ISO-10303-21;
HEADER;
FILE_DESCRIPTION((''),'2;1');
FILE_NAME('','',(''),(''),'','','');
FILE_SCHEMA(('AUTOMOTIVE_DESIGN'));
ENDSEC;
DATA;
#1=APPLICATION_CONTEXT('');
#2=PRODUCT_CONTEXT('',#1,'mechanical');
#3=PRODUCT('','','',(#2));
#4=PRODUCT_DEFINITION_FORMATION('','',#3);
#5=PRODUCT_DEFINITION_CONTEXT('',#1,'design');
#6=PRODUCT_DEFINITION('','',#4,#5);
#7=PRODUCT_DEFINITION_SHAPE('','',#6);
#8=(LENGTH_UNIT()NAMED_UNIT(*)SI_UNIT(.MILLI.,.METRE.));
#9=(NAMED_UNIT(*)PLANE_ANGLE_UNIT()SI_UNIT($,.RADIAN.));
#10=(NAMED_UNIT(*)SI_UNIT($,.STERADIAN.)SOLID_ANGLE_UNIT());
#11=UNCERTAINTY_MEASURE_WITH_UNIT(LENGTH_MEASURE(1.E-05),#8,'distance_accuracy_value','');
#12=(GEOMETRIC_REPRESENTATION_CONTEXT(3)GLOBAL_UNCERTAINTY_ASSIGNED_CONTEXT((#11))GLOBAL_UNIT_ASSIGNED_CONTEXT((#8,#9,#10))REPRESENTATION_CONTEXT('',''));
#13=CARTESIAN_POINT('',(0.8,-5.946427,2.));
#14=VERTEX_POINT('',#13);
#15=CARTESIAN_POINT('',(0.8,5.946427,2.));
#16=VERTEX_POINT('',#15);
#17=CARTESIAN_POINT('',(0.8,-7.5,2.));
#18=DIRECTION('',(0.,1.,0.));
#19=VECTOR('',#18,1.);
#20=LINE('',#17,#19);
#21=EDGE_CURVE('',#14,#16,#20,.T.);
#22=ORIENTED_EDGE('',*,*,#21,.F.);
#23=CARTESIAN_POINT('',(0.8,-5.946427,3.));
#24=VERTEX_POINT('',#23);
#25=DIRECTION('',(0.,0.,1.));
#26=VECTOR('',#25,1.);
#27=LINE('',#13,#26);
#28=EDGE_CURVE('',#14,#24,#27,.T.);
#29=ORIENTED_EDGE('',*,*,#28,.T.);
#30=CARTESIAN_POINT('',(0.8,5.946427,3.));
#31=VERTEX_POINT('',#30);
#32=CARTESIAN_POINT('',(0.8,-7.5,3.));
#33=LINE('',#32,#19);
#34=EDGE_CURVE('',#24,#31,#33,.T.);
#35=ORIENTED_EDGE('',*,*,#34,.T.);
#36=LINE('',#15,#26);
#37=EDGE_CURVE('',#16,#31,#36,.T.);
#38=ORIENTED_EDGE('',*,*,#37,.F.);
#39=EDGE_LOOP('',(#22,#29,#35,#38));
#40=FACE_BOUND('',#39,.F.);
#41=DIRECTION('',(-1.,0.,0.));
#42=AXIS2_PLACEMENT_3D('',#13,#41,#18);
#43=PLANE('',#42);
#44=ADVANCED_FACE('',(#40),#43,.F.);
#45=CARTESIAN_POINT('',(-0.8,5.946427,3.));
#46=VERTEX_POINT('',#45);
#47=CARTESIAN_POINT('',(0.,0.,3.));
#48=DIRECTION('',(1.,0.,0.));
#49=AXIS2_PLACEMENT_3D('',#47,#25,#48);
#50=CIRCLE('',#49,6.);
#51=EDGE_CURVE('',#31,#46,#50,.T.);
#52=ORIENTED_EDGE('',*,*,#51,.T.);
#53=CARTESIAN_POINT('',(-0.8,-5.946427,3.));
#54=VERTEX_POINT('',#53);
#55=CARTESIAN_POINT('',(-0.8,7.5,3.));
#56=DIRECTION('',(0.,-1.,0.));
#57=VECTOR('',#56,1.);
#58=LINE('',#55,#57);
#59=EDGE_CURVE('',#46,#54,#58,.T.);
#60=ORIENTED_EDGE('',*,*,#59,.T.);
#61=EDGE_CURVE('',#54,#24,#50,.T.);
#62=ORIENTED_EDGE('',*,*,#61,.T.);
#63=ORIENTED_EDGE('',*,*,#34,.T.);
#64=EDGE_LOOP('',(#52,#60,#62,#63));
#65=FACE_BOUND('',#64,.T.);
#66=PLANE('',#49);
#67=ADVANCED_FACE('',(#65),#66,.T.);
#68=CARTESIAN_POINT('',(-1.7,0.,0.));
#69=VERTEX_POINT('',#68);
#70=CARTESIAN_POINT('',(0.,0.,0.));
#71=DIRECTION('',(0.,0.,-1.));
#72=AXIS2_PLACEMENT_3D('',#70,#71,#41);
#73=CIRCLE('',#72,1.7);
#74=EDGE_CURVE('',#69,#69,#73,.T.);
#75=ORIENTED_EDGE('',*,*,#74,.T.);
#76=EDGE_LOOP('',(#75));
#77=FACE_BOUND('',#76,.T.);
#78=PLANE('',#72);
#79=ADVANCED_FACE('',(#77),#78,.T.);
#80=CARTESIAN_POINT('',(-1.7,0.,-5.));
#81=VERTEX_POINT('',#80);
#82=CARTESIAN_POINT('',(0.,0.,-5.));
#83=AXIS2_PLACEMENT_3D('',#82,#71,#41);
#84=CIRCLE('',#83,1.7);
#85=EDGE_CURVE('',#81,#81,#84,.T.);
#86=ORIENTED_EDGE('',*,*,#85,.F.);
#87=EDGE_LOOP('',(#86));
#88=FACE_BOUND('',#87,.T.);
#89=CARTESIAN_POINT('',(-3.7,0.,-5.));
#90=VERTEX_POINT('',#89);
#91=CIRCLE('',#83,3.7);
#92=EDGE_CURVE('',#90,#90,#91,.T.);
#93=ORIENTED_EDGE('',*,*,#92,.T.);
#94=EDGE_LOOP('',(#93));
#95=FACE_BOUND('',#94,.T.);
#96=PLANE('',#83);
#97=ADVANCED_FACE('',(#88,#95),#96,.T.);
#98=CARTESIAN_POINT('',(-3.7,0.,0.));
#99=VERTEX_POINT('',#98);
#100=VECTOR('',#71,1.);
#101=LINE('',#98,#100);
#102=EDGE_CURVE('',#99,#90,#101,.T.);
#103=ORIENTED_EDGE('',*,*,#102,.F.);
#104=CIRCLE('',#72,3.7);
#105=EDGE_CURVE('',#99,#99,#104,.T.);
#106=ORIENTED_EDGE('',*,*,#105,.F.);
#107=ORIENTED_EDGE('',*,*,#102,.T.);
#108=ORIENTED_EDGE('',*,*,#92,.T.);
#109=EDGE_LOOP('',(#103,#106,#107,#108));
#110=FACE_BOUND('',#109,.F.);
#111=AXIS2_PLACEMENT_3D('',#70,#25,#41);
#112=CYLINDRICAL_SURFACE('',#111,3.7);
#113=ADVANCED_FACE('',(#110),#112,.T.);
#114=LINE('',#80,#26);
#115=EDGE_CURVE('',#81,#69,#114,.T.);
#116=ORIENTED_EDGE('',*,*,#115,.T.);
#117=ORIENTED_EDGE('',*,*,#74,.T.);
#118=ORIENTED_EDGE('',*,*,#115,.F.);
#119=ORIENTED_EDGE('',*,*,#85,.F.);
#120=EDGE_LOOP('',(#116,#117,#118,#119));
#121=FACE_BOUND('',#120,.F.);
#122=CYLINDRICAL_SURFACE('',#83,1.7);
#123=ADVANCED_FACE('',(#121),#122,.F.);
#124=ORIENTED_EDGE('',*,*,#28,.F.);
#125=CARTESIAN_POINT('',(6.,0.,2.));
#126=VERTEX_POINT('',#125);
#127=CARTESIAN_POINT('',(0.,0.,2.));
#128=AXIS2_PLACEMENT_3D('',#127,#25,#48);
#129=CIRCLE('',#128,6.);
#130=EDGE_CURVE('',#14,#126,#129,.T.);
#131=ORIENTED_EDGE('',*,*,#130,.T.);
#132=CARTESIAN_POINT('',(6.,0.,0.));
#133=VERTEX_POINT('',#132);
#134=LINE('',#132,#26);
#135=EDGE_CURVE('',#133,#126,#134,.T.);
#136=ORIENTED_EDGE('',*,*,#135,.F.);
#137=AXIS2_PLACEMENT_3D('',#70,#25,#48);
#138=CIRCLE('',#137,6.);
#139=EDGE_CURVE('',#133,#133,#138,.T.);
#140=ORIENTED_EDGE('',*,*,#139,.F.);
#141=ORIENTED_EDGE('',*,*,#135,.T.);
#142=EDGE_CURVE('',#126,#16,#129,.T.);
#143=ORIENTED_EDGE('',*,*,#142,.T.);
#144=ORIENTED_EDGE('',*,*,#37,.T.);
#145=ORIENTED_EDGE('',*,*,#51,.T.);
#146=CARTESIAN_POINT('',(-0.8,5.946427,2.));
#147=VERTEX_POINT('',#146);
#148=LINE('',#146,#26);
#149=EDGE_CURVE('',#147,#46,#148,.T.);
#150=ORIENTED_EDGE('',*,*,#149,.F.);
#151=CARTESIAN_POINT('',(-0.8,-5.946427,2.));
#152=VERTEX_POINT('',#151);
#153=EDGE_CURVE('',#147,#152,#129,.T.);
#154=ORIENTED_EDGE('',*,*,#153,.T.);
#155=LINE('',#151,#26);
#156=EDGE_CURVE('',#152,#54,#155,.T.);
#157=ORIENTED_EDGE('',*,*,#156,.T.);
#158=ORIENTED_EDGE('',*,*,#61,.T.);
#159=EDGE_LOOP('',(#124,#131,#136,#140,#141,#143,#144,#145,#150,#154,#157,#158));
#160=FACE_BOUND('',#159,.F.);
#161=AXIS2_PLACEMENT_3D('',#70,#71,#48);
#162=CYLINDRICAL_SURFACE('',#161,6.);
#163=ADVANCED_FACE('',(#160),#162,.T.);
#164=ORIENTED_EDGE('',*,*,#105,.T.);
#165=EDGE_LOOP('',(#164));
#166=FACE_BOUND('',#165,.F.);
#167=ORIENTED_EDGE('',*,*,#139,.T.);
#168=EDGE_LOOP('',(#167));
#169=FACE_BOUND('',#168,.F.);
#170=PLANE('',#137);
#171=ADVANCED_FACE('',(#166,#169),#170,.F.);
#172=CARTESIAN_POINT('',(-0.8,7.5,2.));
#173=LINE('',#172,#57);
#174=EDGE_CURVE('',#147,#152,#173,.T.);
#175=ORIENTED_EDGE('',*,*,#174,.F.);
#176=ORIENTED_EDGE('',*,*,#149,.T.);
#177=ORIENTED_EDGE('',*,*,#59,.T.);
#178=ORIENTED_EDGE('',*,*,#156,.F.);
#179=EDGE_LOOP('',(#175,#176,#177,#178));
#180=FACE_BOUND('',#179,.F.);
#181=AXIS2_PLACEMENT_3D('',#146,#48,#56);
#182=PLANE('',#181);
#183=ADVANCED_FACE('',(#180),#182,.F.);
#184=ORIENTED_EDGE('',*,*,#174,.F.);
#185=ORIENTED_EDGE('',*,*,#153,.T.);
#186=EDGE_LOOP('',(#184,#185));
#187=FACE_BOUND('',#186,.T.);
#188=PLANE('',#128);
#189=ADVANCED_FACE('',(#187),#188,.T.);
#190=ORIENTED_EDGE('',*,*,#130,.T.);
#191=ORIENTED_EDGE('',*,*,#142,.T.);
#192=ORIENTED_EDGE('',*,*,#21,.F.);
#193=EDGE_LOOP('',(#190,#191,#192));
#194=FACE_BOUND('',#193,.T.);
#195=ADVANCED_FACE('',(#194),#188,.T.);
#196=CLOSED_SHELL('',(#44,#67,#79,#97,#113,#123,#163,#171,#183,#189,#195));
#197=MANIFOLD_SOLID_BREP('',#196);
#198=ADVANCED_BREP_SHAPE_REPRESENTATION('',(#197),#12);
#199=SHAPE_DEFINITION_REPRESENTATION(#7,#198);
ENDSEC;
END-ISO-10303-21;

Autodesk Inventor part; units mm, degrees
ref_plane "YZ Plane" through (0, 0, 0) normal (1, 0, 0) x (0, 1, 0)
ref_plane "XZ Plane" through (0, 0, 0) normal (0, 1, 0) x (-1, 0, 0)
ref_plane "XY Plane" through (0, 0, 0) normal (0, 0, 1) x (1, 0, 0)
sketch "Sketch1" plane through (0, 0, 0) normal (0, 0, 1) x (1, 0, 0)
  circle A0 centre (0, 0) radius 6
  dimension "d0" = 12
extrude "Extrusion1" add sketch "Sketch1" along normal blind 2
sketch "Sketch2" plane through (0, 0, 2) normal (0, 0, 1) x (1, 0, 0)
  line L0 (-0.8, -7.5) -> (0.8, -7.5)
  line L1 (0.8, -7.5) -> (0.8, 7.5)
  line L2 (0.8, 7.5) -> (-0.8, 7.5)
  line L3 (-0.8, 7.5) -> (-0.8, -7.5)
  line L4 (-0.8, -7.5) -> (0.8, 7.5) construction
  line L5 (0.8, -7.5) -> (-0.8, 7.5) construction
  circle A0 centre (0, 0) radius 6 projected
  line L6 (-6, 0) -> (6, 0) construction
  point P0 (0.8, 5.9464)
  point P1 (-0.8, 5.9464)
  point P2 (-0.8, -5.9464)
  point P3 (0.8, -5.9464)
  dimension "d5" = 1.6
  dimension "d6" = 15
extrude "Extrusion2" add sketch "Sketch2" along normal blind 1 contours L3 A0 L1
sketch "Sketch3" plane through (0, 0, 0) normal (0, 0, -1) x (-1, 0, 0)
  circle A0 centre (0, 0) radius 3.7
  dimension "d9" = 7.4
extrude "Extrusion3" add sketch "Sketch3" along normal blind 5
sketch "Sketch4" plane through (0, 0, -5) normal (0, 0, -1) x (-1, 0, 0)
  circle A0 centre (0, 0) radius 1.7
  dimension "d12" = 3.4
extrude "Extrusion4" cut sketch "Sketch4" against normal blind 5
properties part number "PrzegubGorny"
